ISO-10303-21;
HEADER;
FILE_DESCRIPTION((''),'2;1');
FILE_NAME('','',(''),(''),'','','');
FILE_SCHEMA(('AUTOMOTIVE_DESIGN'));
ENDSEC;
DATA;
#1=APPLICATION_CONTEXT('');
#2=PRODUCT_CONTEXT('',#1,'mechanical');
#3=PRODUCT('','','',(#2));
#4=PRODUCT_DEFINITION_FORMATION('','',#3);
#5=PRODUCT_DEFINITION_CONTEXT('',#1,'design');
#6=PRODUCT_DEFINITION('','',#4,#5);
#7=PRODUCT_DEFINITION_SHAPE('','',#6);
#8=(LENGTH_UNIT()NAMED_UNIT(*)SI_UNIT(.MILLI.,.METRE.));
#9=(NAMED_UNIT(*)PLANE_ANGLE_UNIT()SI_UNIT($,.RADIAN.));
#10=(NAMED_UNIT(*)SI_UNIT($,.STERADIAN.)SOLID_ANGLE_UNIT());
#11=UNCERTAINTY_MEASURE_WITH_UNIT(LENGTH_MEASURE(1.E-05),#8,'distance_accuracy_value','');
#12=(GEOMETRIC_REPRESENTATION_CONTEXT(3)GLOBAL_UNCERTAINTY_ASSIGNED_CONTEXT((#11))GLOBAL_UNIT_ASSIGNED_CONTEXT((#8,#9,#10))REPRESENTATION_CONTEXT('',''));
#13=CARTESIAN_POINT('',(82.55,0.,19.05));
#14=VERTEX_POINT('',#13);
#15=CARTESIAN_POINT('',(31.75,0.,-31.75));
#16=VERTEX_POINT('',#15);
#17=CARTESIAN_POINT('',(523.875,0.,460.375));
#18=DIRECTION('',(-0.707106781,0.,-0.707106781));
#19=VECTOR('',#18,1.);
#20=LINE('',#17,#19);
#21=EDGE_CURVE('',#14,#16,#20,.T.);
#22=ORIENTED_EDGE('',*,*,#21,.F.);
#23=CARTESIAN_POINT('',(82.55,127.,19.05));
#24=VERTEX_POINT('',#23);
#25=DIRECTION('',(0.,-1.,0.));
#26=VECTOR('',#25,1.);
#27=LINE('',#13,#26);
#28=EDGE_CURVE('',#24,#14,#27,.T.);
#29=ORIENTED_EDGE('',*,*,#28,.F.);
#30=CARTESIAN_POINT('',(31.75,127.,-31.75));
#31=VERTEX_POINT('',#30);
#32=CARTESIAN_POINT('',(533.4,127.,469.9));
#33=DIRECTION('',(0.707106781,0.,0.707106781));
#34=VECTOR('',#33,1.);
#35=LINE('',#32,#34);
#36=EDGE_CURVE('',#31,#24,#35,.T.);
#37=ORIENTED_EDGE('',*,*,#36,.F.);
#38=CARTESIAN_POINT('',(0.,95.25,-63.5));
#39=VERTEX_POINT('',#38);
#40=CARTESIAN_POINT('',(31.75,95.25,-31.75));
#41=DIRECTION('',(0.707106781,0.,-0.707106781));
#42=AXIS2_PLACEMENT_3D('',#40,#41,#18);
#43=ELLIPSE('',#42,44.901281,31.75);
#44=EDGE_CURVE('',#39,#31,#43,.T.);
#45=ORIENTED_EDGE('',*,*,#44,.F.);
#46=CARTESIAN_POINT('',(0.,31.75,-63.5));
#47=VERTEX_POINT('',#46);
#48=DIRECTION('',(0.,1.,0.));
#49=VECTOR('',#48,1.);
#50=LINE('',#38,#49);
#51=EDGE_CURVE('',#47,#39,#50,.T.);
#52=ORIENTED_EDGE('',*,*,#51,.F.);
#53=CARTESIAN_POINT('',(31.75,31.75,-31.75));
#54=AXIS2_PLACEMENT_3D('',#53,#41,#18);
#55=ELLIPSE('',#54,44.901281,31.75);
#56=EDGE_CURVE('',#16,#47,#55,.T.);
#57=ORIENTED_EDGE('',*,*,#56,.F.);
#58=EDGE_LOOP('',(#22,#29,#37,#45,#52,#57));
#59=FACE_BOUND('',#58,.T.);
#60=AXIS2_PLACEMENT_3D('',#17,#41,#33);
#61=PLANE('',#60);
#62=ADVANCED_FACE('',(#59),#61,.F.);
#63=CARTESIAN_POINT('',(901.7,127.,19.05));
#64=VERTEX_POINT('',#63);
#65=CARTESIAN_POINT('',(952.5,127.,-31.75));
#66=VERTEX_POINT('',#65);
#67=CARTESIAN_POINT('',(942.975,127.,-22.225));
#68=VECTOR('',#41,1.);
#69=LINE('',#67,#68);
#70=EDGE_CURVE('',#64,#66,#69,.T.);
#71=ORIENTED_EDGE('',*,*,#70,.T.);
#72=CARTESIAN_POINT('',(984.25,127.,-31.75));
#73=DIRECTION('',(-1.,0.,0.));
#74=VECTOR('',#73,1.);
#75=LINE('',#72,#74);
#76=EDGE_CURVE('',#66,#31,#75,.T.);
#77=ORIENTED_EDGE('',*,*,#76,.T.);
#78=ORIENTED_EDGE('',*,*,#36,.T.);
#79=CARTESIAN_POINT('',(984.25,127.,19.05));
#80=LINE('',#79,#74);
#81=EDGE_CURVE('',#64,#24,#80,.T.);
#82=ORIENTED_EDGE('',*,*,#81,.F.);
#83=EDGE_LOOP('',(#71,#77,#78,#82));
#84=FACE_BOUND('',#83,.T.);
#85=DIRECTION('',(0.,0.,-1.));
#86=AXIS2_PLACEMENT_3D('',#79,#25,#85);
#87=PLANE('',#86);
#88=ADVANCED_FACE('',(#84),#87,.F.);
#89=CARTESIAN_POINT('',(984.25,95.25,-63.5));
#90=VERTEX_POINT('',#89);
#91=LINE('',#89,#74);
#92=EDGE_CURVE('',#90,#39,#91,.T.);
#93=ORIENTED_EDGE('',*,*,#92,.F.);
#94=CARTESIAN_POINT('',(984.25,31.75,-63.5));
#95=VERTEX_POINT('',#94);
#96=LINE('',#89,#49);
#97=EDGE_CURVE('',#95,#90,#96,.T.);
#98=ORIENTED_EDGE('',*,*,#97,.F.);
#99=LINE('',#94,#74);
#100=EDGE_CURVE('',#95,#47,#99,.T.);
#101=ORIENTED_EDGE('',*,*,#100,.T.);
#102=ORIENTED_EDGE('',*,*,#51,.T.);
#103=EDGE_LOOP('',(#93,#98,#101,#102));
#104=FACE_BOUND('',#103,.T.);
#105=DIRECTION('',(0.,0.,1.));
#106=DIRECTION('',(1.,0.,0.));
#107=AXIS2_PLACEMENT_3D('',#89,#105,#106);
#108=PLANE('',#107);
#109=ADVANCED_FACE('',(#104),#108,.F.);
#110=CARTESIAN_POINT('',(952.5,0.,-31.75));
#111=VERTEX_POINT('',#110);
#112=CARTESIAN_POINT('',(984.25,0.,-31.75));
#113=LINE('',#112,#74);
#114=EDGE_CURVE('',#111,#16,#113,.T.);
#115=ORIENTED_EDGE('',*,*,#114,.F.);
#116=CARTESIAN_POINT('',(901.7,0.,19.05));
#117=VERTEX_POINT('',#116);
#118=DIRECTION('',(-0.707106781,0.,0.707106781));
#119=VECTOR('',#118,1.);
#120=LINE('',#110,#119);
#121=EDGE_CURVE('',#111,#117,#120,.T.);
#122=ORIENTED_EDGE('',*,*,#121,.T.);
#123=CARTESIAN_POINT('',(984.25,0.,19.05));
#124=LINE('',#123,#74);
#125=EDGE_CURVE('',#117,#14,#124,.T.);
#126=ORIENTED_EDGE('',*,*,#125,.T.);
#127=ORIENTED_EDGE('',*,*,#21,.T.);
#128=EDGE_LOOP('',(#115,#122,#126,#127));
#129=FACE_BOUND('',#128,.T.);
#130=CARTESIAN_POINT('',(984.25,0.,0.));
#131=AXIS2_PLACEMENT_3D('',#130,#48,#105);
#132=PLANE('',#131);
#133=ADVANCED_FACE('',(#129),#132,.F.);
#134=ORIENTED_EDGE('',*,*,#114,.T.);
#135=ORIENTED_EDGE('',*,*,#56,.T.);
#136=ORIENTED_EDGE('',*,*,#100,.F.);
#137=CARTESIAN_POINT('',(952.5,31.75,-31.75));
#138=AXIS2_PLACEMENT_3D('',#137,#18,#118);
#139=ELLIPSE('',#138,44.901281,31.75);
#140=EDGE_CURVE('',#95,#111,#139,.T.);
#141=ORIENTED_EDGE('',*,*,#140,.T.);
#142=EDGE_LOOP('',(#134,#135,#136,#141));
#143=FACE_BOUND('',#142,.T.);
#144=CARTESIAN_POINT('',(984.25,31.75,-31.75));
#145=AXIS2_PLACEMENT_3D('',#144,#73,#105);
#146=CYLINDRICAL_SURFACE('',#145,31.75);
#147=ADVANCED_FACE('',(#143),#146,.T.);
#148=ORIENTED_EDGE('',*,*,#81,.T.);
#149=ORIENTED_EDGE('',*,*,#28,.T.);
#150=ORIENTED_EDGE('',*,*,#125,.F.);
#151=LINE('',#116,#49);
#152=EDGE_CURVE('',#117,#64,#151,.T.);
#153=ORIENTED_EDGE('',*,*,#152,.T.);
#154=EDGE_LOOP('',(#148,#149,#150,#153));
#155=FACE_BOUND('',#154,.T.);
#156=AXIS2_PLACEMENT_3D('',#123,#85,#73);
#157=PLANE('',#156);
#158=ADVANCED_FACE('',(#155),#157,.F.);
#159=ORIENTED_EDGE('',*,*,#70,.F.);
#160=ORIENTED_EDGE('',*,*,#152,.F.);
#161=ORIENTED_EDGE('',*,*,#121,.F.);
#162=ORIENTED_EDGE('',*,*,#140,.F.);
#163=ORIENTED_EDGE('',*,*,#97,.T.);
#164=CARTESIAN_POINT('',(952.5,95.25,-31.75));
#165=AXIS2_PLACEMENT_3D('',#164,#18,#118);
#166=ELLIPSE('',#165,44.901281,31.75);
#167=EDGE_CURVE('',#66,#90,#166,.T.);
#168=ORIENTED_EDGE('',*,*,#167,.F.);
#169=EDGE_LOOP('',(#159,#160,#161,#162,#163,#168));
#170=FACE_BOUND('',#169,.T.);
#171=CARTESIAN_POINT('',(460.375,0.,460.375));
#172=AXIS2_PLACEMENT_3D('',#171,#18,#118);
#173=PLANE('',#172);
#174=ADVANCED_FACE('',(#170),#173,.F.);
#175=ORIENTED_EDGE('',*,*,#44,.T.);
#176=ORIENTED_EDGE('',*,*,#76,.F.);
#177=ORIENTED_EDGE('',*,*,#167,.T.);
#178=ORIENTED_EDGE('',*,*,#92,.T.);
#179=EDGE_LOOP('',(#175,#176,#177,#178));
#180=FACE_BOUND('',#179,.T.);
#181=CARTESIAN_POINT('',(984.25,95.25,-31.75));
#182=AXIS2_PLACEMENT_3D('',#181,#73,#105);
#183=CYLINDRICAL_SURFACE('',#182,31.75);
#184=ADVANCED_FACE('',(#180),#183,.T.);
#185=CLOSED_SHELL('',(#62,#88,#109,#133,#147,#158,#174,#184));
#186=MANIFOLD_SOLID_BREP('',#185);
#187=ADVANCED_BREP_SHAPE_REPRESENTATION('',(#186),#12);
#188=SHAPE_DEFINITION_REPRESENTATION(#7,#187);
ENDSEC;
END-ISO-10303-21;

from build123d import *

# Parameters (mm, degrees)
BOSS_EXTRUDE1_DEPTH = 984.25
SKETCH2_W           = 344.402501539
SKETCH2_H           = 493.213131915
CUT_EXTRUDE1_DEPTH  = 59.371664787


with BuildPart() as part:
    # Sketch1 → Boss-Extrude1 (new body)
    with BuildSketch(Plane(origin=(0, 0, 0), x_dir=(0, 0, -1), z_dir=(1, 0, 0))):
        with BuildLine():
            Line((0, 0), (31.75, 0))
            ThreePointArc((31.75, 0), (54.200640303, 9.299359697), (63.5, 31.75))
            Line((63.5, 31.75), (63.5, 95.25))
            ThreePointArc((63.5, 95.25), (54.200640303, 117.700640303), (31.75, 127))
            Line((31.75, 127), (0, 127))
            Line((0, 127), (-19.05, 127))
            Line((-19.05, 127), (-19.05, 0))
            Line((-19.05, 0), (0, 0))
        make_face()
    extrude(amount=BOSS_EXTRUDE1_DEPTH)

    # Sketch2 → Cut-Extrude1 (cut, through all)
    with BuildSketch(Plane(origin=(460.375, 0, 460.375), x_dir=(0, 1, 0), z_dir=(0.707106781, 0, 0.707106781))):
        with Locations((32.995160032, -679.680893327)):
            Rectangle(SKETCH2_W, SKETCH2_H)
    cut_extrude1 = extrude(amount=CUT_EXTRUDE1_DEPTH, mode=Mode.SUBTRACT)

    # Mirror1: Cut-Extrude1 across plane
    add(cut_extrude1.mirror(Plane(origin=(492.125, 0, 0), x_dir=(0, 0, 1), z_dir=(1, 0, 0))), mode=Mode.SUBTRACT)


solid = part.part
